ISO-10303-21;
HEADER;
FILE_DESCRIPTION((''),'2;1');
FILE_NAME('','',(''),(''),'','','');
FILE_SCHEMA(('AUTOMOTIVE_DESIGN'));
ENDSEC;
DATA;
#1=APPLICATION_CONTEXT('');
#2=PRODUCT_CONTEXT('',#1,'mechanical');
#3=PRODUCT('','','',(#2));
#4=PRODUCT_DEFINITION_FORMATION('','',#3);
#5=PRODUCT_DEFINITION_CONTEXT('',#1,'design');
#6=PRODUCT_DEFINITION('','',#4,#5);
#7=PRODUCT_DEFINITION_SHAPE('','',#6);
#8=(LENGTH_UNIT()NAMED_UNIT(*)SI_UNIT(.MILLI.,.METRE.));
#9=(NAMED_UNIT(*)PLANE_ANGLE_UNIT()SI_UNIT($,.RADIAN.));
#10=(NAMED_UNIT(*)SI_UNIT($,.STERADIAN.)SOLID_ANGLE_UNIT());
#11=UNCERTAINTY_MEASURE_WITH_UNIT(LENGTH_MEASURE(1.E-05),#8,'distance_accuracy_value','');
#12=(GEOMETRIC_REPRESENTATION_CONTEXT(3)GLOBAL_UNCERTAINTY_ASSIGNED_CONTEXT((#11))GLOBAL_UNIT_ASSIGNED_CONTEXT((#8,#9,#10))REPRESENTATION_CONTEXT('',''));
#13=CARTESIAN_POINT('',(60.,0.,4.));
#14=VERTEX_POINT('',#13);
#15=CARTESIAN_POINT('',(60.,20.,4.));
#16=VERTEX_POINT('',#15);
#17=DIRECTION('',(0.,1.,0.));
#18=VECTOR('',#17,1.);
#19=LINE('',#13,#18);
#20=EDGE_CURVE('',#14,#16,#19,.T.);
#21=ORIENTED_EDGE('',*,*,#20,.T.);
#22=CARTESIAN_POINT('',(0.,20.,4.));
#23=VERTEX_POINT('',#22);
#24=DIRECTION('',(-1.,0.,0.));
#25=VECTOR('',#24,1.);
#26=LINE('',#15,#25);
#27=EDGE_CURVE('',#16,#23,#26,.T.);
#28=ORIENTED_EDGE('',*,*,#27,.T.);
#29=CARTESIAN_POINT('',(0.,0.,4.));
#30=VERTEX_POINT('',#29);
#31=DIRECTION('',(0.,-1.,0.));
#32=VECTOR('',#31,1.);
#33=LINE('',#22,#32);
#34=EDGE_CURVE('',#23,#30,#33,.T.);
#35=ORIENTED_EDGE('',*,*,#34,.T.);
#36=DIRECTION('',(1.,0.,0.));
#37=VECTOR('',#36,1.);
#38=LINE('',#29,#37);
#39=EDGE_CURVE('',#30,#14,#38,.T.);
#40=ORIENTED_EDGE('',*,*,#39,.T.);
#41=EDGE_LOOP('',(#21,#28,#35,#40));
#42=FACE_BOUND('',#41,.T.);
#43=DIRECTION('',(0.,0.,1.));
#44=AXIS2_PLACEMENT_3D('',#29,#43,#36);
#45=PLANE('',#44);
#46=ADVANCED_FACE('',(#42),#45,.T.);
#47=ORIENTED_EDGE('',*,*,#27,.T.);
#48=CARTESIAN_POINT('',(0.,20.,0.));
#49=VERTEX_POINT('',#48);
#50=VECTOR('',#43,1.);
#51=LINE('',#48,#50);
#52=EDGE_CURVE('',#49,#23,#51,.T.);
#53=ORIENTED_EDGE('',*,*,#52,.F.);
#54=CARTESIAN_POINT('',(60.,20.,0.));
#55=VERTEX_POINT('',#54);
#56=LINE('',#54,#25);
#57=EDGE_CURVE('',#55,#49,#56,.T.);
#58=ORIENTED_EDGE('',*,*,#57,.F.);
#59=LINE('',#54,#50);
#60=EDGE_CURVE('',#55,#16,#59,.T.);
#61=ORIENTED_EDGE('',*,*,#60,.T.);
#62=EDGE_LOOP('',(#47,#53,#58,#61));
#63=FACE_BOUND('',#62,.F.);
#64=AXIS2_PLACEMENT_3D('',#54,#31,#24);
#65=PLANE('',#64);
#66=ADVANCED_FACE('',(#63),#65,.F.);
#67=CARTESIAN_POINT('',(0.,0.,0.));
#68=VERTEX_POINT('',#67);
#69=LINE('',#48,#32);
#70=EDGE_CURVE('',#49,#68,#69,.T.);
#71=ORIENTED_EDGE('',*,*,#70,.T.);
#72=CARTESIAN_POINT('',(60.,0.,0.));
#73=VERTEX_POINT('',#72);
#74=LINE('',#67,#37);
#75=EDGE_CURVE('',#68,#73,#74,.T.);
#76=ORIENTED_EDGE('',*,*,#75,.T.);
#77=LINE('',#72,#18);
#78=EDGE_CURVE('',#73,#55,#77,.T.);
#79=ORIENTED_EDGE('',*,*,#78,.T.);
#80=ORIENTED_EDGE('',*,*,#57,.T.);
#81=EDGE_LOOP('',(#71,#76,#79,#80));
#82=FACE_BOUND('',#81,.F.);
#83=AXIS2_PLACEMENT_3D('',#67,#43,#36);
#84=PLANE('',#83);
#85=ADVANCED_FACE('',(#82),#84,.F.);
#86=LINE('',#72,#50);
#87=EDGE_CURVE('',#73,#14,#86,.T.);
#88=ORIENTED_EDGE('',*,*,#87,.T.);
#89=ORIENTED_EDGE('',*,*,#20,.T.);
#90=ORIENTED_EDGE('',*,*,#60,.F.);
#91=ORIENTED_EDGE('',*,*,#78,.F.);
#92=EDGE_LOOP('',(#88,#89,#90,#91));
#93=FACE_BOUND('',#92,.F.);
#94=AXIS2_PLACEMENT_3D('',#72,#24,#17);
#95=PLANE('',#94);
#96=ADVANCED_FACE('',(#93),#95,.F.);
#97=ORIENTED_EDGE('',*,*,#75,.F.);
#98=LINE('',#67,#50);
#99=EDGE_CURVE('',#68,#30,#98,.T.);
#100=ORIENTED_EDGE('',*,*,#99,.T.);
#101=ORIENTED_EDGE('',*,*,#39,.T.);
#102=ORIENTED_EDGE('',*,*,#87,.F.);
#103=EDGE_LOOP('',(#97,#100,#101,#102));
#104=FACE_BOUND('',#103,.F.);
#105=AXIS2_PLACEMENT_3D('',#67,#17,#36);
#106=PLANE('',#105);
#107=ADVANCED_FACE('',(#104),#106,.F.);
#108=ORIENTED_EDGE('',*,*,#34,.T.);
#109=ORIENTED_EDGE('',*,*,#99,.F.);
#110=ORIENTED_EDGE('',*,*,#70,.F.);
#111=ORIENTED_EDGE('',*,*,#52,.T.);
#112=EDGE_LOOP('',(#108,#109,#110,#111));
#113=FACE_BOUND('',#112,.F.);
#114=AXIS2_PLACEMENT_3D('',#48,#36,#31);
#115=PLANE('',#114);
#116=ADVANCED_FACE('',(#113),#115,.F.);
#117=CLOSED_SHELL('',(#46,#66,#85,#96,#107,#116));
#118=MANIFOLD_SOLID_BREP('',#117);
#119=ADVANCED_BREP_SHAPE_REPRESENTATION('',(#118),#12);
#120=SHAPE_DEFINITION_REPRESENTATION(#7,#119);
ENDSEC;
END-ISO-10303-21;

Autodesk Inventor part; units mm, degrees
ref_plane "YZ Plane" through (0, 0, 0) normal (1, 0, 0) x (0, 1, 0)
ref_plane "XZ Plane" through (0, 0, 0) normal (0, 1, 0) x (-1, 0, 0)
ref_plane "XY Plane" through (0, 0, 0) normal (0, 0, 1) x (1, 0, 0)
sketch "Эскиз1" plane through (0, 0, 0) normal (0, 0, 1) x (1, 0, 0)
  line L0 (0, 0) -> (60, 0)
  line L1 (60, 0) -> (60, 20)
  line L2 (60, 20) -> (0, 20)
  line L3 (0, 20) -> (0, 0)
  dimension "d0" = 60
  dimension "d1" = 20
extrude "Выдавливание1" add sketch "Эскиз1" along normal blind 4
properties part number "Plate1"
